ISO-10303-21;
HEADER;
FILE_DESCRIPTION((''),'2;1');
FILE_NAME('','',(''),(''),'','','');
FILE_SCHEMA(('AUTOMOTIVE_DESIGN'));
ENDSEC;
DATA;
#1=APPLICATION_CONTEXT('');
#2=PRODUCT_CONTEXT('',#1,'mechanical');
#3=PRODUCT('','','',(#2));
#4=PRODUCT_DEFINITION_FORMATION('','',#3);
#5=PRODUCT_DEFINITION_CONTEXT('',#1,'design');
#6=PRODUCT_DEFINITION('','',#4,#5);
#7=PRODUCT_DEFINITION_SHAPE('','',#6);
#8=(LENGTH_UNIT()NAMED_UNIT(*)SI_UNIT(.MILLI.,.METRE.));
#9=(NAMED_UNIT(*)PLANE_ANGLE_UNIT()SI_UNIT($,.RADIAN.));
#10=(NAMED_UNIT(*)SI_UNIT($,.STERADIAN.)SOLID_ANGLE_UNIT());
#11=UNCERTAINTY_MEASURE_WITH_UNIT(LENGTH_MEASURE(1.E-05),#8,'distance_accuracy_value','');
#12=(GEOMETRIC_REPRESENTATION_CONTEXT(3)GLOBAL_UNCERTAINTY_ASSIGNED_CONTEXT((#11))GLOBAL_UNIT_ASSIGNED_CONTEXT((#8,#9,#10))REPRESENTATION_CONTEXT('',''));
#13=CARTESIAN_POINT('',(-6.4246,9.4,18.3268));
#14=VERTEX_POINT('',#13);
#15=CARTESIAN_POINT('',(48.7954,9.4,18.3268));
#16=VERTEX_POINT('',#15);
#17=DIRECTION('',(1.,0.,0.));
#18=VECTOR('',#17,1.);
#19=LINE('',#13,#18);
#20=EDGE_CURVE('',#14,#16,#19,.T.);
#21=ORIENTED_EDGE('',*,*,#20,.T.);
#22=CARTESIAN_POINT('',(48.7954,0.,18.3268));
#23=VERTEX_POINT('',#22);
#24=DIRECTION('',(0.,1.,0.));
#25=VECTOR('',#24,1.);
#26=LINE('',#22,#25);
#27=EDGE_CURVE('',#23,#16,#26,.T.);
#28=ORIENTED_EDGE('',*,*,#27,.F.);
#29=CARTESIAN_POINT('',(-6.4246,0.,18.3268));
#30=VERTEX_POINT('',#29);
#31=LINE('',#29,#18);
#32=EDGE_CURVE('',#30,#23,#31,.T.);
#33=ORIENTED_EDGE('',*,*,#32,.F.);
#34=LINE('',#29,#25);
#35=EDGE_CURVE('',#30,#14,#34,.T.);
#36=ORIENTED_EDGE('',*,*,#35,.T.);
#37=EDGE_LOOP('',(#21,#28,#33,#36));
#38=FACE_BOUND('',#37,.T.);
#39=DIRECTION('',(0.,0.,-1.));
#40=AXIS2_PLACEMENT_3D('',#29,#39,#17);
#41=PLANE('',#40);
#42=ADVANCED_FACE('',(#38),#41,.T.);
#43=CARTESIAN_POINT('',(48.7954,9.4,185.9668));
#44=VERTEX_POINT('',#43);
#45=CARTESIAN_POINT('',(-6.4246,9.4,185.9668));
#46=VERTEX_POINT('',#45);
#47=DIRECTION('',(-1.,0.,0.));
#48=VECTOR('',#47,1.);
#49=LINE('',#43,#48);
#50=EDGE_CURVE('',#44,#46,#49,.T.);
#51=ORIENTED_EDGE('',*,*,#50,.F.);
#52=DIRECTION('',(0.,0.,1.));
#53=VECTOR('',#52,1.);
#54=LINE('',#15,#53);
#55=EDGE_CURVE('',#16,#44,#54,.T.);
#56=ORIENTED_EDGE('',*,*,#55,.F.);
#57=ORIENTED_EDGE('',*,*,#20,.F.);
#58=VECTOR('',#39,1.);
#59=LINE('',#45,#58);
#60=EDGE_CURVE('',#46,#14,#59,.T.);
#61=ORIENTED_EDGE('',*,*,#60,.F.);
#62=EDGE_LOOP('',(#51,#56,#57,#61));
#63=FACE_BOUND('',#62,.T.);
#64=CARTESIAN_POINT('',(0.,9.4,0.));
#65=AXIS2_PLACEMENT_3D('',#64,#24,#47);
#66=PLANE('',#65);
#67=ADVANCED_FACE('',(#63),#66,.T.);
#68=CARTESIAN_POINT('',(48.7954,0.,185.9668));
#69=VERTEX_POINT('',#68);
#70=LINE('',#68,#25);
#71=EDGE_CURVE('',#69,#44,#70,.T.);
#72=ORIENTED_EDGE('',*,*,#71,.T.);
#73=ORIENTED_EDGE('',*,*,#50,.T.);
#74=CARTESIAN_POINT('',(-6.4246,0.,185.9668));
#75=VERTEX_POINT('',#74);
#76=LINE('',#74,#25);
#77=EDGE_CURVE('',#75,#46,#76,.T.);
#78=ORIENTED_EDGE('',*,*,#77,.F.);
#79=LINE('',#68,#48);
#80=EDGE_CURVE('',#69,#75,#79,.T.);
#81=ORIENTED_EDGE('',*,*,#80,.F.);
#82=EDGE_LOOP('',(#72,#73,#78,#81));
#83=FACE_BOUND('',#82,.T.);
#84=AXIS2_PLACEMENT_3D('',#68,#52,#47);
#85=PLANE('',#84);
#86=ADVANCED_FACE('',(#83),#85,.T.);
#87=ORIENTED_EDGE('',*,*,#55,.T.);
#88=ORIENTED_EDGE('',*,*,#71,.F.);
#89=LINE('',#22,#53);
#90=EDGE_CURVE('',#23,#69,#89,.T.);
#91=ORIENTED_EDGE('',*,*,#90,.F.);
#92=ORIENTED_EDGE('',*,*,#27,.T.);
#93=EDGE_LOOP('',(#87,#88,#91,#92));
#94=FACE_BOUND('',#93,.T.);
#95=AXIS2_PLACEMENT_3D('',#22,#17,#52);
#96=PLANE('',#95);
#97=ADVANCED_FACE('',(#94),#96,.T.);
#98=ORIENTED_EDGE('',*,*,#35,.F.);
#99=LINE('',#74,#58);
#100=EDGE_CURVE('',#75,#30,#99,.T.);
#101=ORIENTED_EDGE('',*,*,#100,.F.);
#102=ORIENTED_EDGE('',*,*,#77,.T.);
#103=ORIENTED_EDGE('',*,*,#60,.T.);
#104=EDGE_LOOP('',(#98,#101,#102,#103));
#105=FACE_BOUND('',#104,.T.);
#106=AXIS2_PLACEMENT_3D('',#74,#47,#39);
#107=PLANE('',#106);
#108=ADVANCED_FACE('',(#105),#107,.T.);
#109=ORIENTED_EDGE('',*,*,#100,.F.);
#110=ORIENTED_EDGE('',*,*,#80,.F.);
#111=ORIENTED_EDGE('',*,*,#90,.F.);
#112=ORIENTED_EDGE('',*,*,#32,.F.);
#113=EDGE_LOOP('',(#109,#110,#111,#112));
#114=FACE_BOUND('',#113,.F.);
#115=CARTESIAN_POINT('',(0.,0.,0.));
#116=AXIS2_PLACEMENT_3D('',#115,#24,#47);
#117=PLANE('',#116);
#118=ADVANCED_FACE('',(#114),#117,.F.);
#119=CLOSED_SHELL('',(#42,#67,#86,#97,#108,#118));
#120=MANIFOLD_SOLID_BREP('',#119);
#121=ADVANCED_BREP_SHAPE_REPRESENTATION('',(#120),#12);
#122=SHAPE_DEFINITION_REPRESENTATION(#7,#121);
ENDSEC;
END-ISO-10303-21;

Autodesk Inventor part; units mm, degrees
ref_plane "YZ Plane" through (0, 0, 0) normal (1, 0, 0) x (0, 1, 0)
ref_plane "XZ Plane" through (0, 0, 0) normal (0, 1, 0) x (-1, 0, 0)
ref_plane "XY Plane" through (0, 0, 0) normal (0, 0, 1) x (1, 0, 0)
sketch "Sketch1" plane through (0, 0, 0) normal (0, 1, 0) x (-1, 0, 0)
  line L0 (6.4246, 18.3268) -> (-48.7954, 18.3268)
  line L1 (-48.7954, 18.3268) -> (-48.7954, 185.9668)
  line L2 (-48.7954, 185.9668) -> (6.4246, 185.9668)
  line L3 (6.4246, 185.9668) -> (6.4246, 18.3268)
  point P0 (0, 0)
  dimension "d0" = 55.22
  dimension "d1" = 167.64
extrude "Extrusion1" add sketch "Sketch1" along normal blind 9.4
properties part number "Bread Board"
